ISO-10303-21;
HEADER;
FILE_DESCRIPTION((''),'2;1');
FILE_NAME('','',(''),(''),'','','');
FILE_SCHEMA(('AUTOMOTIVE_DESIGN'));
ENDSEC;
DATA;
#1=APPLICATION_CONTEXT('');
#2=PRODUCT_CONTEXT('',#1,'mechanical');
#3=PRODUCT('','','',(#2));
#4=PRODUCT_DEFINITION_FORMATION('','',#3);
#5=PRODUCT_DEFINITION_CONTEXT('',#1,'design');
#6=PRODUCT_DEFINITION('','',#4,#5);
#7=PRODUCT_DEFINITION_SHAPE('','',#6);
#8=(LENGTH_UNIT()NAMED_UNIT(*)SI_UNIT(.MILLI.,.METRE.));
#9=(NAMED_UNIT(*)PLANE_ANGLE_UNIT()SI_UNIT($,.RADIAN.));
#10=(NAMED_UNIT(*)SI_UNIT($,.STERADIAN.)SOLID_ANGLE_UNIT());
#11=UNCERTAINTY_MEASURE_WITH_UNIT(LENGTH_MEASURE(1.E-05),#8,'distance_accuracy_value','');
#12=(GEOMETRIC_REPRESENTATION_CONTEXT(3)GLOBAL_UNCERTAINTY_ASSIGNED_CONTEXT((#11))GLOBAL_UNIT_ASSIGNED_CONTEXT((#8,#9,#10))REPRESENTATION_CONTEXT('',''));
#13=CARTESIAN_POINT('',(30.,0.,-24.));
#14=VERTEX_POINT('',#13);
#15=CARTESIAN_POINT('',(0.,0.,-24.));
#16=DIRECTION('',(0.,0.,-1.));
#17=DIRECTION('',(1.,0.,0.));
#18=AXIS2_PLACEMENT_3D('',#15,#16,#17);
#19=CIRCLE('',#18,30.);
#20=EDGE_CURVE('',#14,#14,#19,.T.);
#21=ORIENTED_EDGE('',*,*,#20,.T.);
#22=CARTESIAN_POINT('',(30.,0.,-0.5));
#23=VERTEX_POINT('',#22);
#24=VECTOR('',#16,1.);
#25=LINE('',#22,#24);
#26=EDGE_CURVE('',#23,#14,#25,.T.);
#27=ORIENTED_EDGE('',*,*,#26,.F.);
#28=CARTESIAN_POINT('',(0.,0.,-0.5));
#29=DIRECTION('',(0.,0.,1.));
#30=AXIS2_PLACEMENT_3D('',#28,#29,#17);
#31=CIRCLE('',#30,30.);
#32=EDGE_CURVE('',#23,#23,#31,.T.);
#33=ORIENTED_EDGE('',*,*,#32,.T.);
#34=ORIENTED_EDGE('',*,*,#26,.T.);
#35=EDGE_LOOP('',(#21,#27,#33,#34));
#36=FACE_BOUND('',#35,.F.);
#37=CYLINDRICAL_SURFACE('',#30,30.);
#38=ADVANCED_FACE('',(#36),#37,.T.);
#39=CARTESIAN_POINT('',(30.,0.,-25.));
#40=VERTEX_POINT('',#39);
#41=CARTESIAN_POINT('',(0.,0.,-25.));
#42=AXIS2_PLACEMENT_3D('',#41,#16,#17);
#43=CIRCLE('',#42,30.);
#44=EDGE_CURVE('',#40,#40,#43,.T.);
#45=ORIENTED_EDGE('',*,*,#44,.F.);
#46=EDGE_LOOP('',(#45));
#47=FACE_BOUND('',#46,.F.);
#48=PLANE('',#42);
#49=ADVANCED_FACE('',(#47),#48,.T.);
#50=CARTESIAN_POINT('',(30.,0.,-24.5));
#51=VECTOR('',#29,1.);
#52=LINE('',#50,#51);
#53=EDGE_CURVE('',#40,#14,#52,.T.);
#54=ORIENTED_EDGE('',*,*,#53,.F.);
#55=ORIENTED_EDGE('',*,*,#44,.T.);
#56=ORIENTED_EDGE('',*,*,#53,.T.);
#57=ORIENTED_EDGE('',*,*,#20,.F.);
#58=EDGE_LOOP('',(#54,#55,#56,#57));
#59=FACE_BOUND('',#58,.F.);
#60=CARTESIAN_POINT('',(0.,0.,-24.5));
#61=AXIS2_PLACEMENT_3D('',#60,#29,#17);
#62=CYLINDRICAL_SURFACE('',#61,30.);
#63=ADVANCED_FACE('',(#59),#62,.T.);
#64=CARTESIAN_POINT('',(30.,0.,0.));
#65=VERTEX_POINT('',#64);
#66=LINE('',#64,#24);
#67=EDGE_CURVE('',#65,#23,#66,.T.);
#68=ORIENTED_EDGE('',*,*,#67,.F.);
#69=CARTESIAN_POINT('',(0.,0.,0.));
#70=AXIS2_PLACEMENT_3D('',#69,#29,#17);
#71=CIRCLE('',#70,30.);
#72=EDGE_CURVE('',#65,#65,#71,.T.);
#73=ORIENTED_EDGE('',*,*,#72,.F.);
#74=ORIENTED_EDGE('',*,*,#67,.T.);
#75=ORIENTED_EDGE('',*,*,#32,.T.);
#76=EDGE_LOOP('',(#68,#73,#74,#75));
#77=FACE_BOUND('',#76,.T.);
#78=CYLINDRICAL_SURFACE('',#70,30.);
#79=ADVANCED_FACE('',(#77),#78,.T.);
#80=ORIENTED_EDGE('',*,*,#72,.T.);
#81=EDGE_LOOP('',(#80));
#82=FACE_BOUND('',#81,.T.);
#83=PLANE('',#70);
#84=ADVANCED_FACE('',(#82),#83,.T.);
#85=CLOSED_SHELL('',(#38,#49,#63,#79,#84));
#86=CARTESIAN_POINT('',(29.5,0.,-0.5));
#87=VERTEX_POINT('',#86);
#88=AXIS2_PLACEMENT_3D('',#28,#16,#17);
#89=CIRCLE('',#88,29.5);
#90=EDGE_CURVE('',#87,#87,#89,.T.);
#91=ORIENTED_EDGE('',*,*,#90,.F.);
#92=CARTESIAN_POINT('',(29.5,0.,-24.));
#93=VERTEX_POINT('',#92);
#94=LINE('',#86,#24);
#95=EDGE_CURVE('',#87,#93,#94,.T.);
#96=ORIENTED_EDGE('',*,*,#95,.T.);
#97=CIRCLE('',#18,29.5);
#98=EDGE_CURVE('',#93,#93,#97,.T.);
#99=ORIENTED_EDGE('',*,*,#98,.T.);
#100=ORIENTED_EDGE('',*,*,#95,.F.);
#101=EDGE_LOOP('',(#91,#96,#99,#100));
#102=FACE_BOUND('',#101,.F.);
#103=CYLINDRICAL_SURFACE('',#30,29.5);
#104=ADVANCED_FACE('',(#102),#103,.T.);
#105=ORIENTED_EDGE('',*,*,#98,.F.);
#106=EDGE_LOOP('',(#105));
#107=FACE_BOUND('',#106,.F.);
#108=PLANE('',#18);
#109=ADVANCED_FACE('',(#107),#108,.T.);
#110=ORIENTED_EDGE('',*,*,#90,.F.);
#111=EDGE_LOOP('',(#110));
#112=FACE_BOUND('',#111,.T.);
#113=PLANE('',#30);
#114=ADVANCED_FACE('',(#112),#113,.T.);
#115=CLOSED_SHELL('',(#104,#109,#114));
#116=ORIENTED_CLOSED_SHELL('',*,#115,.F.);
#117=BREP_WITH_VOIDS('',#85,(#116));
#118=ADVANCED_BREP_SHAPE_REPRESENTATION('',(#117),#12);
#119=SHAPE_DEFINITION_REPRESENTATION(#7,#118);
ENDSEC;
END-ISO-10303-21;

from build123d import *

# Parameters (mm, degrees)
F0_R     = 30
F1_DEPTH = 0.5
F2_W     = 30
F2_H     = 1
F4_R     = 30
F4_R_2   = 29.5
F5_DEPTH = 23.5


with BuildPart() as f1:
    # F0 (on Top) → F1 (new body)
    with BuildSketch(Plane.XY):
        Circle(F0_R)
    extrude(amount=-F1_DEPTH)



with BuildPart() as f3:
    # F2 (on Front) → F3 (revolve)
    with BuildSketch(Plane.XZ):
        with Locations((15, -24.5)):
            Rectangle(F2_W, F2_H)
    revolve(axis=Axis((0, 0, -12.5), (0, 0, -1)))


with BuildPart() as f1_1:
    add(f1.part)

    add(f3.part)  # F5 merges F3
    # F4 (on face) → F5 (join, through all)
    with BuildSketch(Plane(origin=(0, 0, -0.5), x_dir=(1, 0, 0), z_dir=(0, 0, -1))):
        Circle(F4_R)
        Circle(F4_R_2, mode=Mode.SUBTRACT)
    extrude(amount=F5_DEPTH)


solid = f1_1.part
